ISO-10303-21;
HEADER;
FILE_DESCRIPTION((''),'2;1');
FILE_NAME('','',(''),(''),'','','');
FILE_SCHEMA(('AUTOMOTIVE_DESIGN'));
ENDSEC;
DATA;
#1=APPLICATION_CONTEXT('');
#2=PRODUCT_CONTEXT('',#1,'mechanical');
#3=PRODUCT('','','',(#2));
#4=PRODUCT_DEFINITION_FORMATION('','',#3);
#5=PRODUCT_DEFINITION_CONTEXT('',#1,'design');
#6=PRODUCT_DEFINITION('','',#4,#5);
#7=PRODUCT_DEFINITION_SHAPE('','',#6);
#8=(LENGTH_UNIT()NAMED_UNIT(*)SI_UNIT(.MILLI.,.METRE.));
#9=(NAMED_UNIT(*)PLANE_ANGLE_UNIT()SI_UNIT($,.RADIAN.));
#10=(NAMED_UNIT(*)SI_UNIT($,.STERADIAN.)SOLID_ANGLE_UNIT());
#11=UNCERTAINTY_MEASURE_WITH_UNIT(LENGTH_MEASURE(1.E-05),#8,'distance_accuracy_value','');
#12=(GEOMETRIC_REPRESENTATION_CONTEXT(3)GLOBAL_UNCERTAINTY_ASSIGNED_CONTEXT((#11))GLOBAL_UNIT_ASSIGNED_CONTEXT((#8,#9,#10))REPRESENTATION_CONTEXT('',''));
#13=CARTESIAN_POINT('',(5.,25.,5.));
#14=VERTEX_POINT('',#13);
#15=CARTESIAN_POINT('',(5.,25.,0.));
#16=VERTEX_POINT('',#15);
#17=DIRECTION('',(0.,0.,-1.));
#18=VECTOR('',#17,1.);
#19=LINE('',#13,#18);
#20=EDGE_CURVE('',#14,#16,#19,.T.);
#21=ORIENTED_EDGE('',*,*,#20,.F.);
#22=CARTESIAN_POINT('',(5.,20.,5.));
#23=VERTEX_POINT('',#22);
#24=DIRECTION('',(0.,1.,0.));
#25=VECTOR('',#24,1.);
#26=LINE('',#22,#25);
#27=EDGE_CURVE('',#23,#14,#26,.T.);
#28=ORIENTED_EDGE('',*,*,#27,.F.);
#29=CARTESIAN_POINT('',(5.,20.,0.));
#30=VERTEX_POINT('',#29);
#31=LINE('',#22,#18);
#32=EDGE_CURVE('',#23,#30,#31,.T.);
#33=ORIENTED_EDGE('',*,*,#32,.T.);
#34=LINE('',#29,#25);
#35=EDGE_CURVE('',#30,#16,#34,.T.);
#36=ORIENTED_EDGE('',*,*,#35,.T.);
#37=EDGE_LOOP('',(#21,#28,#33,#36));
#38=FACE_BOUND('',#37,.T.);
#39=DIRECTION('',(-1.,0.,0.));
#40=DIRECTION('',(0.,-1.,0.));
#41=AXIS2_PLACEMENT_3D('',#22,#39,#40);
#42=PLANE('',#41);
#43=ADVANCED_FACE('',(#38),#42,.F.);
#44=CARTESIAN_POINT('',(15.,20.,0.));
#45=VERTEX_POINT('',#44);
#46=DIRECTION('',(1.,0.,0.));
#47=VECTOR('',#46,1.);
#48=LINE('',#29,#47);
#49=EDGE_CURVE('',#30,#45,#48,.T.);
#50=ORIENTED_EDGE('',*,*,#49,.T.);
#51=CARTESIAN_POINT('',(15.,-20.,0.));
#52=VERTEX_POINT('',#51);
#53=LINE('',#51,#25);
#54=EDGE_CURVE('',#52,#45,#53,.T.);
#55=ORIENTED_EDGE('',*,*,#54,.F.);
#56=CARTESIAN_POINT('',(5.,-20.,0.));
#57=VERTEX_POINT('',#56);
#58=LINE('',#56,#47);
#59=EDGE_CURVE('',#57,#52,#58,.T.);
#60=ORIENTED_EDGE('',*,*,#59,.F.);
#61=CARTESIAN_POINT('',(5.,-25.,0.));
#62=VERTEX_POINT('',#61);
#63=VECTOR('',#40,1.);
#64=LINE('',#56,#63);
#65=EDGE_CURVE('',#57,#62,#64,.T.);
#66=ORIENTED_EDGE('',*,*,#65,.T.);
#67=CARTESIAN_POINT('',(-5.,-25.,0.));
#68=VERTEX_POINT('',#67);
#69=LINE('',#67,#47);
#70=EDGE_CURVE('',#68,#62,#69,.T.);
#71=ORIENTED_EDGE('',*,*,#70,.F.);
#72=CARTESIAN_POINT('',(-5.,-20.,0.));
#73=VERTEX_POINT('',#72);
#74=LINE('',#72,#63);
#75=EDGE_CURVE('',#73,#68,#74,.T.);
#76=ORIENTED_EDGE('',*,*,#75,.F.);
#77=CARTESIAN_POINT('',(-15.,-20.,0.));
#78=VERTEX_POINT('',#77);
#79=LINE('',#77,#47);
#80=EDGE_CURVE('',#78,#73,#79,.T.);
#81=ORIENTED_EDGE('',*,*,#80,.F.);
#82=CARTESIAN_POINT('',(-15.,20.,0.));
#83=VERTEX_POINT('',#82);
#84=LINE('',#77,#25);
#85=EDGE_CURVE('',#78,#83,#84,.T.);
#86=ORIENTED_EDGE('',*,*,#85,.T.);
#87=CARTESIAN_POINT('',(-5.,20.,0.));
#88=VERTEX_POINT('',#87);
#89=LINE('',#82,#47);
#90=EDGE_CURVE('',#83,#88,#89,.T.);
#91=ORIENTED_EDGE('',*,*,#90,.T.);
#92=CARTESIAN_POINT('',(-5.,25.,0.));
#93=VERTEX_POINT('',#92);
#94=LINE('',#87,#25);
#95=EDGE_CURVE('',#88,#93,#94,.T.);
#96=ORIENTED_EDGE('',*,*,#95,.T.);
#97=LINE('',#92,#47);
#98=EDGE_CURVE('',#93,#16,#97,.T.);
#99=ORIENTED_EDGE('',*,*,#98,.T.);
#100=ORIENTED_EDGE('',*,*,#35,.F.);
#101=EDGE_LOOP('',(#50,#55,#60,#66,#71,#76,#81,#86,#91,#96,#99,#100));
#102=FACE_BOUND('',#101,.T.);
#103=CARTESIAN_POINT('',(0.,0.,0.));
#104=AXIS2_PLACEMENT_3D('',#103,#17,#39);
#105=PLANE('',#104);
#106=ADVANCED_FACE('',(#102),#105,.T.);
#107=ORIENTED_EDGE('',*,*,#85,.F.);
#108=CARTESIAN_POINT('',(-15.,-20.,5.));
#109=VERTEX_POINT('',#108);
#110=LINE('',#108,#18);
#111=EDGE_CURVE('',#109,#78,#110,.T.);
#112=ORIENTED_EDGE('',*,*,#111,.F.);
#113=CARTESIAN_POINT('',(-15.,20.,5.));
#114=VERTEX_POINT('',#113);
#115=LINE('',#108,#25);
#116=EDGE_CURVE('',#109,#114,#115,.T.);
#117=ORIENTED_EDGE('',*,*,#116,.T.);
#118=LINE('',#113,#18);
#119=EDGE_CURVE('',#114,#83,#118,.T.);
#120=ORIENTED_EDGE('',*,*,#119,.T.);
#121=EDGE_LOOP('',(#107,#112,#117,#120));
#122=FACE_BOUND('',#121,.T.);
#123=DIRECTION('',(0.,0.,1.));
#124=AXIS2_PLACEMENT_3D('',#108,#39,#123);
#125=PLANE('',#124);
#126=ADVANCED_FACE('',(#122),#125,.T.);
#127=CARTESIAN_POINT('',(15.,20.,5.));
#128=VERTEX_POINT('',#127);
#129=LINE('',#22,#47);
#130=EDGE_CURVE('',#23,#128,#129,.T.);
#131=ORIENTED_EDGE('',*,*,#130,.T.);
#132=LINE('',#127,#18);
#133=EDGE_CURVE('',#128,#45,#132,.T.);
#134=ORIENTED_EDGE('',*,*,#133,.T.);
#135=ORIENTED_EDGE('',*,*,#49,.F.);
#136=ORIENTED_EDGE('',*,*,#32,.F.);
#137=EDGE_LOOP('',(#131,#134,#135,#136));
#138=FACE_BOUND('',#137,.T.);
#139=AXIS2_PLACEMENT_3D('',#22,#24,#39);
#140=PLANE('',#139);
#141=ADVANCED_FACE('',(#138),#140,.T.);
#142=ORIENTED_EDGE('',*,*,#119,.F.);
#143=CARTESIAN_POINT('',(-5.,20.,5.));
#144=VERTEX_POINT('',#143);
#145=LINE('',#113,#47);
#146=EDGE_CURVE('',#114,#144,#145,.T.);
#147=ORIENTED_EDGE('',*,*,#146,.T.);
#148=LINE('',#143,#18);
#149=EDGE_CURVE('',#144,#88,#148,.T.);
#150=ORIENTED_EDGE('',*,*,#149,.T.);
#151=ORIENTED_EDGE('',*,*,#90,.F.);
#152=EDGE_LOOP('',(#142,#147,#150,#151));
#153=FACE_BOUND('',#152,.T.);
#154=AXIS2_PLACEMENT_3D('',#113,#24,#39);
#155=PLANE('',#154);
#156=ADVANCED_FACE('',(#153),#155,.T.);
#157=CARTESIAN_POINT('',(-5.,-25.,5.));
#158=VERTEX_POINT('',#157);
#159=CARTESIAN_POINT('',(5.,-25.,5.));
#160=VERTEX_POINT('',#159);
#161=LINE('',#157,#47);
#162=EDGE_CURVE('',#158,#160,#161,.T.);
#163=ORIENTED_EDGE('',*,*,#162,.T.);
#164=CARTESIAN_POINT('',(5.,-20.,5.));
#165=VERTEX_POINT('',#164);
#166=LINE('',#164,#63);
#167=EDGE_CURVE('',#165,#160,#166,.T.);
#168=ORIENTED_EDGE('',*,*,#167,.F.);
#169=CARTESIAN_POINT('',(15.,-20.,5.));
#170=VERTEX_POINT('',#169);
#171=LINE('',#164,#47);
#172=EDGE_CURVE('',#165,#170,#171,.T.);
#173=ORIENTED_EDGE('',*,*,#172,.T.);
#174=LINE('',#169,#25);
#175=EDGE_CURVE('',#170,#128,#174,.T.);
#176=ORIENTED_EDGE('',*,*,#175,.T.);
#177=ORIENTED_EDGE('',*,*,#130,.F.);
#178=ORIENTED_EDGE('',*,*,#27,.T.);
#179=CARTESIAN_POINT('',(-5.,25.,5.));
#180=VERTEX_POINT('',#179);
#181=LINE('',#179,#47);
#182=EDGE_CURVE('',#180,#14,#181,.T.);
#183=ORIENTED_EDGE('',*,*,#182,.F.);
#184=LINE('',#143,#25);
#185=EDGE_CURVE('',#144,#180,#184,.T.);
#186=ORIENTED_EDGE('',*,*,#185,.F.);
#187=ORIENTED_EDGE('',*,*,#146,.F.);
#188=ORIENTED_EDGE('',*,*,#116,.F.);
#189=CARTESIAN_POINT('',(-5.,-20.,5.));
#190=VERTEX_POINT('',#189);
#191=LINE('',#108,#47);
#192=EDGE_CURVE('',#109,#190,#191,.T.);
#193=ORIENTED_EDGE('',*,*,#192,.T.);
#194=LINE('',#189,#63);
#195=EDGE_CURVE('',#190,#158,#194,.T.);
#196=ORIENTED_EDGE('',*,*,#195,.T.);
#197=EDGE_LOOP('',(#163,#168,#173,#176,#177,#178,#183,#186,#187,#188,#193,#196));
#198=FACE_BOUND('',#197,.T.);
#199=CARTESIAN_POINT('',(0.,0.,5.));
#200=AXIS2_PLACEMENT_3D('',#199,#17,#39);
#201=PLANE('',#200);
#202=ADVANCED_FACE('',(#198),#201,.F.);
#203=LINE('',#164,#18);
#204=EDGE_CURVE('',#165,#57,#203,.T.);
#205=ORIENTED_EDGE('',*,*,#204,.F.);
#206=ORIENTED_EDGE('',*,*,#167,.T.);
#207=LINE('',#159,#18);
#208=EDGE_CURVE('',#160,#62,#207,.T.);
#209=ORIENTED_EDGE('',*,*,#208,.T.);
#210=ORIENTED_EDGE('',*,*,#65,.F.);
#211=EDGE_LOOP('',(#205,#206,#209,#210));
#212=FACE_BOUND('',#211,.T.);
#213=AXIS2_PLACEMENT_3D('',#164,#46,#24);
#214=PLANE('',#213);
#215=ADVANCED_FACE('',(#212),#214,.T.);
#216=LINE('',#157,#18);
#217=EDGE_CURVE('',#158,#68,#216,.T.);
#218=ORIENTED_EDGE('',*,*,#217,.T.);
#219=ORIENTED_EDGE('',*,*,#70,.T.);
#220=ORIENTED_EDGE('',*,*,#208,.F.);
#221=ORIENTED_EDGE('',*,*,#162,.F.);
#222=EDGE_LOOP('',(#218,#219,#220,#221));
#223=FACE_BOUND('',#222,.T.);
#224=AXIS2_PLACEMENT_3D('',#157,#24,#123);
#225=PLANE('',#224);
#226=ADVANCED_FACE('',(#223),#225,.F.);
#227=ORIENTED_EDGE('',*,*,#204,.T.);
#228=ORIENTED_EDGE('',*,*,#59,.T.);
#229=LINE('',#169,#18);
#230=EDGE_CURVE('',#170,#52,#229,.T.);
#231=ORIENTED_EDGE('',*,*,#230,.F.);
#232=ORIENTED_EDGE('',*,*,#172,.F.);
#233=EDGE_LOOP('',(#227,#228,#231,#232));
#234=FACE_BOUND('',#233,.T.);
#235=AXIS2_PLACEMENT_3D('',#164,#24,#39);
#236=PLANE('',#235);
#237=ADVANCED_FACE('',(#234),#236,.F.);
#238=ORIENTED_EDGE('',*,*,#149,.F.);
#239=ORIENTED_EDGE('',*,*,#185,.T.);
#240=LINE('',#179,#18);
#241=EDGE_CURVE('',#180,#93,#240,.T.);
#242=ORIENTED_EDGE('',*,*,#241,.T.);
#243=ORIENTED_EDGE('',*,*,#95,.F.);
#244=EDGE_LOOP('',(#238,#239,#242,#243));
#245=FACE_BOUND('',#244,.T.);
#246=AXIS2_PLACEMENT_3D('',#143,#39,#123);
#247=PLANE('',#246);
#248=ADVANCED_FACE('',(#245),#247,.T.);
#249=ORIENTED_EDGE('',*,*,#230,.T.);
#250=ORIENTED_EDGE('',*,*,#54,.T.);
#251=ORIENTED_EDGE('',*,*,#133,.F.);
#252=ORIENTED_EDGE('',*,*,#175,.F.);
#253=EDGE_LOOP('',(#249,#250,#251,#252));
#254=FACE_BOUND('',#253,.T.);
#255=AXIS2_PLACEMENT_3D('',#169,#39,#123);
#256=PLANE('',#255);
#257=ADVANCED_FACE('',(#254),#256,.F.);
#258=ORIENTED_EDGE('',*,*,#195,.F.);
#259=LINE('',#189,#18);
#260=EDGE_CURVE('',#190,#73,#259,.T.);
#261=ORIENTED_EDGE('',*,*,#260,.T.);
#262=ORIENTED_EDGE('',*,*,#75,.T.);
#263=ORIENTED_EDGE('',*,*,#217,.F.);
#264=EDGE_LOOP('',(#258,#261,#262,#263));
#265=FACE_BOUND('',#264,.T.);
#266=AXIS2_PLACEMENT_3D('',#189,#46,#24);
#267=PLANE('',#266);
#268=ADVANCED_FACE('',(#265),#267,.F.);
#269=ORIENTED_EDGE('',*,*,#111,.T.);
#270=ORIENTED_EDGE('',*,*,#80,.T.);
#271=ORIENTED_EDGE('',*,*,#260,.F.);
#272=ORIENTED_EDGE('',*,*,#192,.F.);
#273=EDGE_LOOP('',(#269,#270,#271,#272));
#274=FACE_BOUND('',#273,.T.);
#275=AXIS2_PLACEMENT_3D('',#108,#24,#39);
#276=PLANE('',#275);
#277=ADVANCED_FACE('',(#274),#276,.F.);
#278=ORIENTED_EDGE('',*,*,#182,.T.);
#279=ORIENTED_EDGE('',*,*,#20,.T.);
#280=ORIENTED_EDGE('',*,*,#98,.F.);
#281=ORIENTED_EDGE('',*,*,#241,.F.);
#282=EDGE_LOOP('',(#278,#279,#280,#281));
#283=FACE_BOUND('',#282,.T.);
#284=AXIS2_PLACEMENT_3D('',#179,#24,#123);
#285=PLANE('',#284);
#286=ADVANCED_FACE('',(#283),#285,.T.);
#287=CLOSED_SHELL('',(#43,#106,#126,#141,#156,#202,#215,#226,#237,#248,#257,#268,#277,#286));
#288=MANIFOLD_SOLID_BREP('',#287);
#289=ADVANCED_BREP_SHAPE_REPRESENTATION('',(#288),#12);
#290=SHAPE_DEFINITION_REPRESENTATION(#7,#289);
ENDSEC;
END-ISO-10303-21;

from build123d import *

# Parameters (mm, degrees)
BOSS_EXTRUDE1_DEPTH = 5


with BuildPart() as part:
    # Sketch1 → Boss-Extrude1 (new body)
    with BuildSketch(Plane.XY):
        Polygon((5, 20), (15, 20), (15, -20), (5, -20), (5, -25), (-5, -25), (-5, -20), (-15, -20), (-15, 20), (-5, 20), (-5, 25), (5, 25), align=None)
    extrude(amount=BOSS_EXTRUDE1_DEPTH)


solid = part.part
